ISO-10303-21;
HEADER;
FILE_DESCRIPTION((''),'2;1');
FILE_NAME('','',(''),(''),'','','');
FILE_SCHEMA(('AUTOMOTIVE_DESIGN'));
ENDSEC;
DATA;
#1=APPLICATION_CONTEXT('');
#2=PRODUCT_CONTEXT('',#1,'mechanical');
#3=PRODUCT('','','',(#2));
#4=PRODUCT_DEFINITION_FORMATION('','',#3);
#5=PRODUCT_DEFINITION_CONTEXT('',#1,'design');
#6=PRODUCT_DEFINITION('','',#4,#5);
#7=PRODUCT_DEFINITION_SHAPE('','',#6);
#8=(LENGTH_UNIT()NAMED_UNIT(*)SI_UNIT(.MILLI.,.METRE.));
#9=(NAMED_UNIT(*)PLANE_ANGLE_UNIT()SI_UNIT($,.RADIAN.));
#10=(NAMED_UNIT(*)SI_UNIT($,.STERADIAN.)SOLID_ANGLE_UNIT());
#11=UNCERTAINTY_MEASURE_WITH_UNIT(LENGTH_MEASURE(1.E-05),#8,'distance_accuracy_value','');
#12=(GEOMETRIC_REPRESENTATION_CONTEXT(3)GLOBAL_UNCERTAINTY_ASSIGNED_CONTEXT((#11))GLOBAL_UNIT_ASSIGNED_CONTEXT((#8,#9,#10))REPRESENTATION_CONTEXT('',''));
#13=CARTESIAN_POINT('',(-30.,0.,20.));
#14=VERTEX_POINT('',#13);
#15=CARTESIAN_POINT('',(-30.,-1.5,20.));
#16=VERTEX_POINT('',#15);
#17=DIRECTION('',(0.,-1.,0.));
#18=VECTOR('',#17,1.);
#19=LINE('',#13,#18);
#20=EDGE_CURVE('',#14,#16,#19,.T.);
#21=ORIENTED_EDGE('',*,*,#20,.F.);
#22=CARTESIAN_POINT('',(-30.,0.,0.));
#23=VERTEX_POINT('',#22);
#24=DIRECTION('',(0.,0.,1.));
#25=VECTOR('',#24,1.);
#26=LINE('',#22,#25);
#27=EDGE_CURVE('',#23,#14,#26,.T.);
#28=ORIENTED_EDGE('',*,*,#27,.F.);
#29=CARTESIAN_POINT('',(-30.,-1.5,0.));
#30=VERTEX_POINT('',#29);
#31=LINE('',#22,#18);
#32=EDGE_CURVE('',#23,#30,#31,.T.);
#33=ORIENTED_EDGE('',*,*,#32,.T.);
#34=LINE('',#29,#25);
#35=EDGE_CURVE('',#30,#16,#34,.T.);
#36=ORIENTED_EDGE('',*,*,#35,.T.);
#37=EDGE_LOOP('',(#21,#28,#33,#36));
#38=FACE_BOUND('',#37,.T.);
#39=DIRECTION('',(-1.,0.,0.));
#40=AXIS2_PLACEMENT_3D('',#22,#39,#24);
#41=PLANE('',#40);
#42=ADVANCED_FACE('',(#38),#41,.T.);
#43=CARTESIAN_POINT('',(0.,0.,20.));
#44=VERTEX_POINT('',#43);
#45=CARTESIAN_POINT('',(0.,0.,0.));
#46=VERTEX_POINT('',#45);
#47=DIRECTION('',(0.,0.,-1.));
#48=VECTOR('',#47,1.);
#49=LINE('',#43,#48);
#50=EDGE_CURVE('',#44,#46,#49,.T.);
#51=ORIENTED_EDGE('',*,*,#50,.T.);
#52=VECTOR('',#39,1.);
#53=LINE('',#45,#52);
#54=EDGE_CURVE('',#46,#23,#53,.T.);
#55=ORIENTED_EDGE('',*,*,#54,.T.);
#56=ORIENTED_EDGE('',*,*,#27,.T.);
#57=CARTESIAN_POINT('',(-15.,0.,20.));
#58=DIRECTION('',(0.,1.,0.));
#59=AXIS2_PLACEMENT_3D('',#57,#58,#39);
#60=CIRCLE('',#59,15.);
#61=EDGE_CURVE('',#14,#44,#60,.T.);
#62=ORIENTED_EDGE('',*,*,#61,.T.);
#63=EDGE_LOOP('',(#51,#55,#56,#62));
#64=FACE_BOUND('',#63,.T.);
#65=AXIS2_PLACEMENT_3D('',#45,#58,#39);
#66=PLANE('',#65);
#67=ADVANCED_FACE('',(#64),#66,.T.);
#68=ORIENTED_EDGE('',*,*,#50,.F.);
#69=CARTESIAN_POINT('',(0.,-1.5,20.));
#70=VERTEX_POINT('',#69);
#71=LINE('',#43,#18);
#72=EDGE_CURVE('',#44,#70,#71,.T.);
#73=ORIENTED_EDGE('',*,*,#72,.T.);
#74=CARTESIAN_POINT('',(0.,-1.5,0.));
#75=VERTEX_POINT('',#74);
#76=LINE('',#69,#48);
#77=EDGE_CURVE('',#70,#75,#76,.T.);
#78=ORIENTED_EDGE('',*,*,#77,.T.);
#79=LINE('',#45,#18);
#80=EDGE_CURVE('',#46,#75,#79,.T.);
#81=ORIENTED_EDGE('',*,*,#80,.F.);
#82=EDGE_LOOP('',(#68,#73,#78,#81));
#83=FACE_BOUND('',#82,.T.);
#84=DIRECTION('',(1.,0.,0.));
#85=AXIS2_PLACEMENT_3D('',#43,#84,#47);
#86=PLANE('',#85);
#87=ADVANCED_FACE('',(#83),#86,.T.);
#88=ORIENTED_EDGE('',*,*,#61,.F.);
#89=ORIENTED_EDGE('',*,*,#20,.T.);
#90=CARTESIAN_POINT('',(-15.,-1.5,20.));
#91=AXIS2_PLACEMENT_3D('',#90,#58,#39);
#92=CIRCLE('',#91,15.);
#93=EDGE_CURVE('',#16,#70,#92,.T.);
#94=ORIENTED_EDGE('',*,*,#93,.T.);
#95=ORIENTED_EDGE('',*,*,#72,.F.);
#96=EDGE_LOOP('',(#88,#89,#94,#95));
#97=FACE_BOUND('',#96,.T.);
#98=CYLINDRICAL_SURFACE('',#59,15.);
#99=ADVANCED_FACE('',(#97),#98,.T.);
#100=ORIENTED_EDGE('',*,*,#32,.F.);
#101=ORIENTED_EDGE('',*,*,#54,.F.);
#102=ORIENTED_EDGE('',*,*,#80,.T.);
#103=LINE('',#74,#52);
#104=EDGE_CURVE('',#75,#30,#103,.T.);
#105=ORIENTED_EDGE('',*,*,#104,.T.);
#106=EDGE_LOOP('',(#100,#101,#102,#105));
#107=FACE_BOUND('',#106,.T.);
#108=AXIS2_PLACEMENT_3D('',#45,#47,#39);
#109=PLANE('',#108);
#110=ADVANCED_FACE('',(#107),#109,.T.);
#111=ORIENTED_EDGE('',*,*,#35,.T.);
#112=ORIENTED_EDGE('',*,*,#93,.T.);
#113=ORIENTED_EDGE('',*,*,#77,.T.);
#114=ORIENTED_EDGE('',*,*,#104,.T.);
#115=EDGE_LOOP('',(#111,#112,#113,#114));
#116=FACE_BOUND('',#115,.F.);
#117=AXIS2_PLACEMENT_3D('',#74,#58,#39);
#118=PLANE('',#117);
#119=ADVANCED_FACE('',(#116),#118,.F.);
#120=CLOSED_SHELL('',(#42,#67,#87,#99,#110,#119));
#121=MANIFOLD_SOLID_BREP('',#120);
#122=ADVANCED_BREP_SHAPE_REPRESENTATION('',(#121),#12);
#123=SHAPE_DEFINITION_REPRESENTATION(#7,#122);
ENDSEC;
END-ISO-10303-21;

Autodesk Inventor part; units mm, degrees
ref_plane "YZ Plane" through (0, 0, 0) normal (1, 0, 0) x (0, 1, 0)
ref_plane "XZ Plane" through (0, 0, 0) normal (0, 1, 0) x (-1, 0, 0)
ref_plane "XY Plane" through (0, 0, 0) normal (0, 0, 1) x (1, 0, 0)
sketch "Sketch1" plane through (0, 0, 0) normal (0, 1, 0) x (-1, 0, 0)
  line L0 (0, 20) -> (0, 0)
  line L1 (0, 0) -> (30, 0)
  line L2 (30, 0) -> (30, 20)
  arc A0 (30, 20) -> (0, 20) centre (15, 20) ccw
extrude "Plate1" add sketch "Sketch1" against normal blind 1.5
equation "\"d0\" = Thickness"
equation "\"BendReliefWidth\" = Thickness"
equation "\"BendReliefDepth\" = 0.5 * Thickness"
equation "\"CornerReliefSize\" = 4 * Thickness"
equation "\"MinimumRemnant\" = 2 * Thickness"
equation "\"TransitionRadius\" = BendRadius"
equation "\"JacobiRadiusSize\" = BendRadius"
equation "\"GapSize\" = Thickness"
equation "\"Thickness\" = 1.5"
equation "\"BendRadius\" = 0.31"
properties part number "Frame_Bottom_Plate" material "Aluminum 6061"
